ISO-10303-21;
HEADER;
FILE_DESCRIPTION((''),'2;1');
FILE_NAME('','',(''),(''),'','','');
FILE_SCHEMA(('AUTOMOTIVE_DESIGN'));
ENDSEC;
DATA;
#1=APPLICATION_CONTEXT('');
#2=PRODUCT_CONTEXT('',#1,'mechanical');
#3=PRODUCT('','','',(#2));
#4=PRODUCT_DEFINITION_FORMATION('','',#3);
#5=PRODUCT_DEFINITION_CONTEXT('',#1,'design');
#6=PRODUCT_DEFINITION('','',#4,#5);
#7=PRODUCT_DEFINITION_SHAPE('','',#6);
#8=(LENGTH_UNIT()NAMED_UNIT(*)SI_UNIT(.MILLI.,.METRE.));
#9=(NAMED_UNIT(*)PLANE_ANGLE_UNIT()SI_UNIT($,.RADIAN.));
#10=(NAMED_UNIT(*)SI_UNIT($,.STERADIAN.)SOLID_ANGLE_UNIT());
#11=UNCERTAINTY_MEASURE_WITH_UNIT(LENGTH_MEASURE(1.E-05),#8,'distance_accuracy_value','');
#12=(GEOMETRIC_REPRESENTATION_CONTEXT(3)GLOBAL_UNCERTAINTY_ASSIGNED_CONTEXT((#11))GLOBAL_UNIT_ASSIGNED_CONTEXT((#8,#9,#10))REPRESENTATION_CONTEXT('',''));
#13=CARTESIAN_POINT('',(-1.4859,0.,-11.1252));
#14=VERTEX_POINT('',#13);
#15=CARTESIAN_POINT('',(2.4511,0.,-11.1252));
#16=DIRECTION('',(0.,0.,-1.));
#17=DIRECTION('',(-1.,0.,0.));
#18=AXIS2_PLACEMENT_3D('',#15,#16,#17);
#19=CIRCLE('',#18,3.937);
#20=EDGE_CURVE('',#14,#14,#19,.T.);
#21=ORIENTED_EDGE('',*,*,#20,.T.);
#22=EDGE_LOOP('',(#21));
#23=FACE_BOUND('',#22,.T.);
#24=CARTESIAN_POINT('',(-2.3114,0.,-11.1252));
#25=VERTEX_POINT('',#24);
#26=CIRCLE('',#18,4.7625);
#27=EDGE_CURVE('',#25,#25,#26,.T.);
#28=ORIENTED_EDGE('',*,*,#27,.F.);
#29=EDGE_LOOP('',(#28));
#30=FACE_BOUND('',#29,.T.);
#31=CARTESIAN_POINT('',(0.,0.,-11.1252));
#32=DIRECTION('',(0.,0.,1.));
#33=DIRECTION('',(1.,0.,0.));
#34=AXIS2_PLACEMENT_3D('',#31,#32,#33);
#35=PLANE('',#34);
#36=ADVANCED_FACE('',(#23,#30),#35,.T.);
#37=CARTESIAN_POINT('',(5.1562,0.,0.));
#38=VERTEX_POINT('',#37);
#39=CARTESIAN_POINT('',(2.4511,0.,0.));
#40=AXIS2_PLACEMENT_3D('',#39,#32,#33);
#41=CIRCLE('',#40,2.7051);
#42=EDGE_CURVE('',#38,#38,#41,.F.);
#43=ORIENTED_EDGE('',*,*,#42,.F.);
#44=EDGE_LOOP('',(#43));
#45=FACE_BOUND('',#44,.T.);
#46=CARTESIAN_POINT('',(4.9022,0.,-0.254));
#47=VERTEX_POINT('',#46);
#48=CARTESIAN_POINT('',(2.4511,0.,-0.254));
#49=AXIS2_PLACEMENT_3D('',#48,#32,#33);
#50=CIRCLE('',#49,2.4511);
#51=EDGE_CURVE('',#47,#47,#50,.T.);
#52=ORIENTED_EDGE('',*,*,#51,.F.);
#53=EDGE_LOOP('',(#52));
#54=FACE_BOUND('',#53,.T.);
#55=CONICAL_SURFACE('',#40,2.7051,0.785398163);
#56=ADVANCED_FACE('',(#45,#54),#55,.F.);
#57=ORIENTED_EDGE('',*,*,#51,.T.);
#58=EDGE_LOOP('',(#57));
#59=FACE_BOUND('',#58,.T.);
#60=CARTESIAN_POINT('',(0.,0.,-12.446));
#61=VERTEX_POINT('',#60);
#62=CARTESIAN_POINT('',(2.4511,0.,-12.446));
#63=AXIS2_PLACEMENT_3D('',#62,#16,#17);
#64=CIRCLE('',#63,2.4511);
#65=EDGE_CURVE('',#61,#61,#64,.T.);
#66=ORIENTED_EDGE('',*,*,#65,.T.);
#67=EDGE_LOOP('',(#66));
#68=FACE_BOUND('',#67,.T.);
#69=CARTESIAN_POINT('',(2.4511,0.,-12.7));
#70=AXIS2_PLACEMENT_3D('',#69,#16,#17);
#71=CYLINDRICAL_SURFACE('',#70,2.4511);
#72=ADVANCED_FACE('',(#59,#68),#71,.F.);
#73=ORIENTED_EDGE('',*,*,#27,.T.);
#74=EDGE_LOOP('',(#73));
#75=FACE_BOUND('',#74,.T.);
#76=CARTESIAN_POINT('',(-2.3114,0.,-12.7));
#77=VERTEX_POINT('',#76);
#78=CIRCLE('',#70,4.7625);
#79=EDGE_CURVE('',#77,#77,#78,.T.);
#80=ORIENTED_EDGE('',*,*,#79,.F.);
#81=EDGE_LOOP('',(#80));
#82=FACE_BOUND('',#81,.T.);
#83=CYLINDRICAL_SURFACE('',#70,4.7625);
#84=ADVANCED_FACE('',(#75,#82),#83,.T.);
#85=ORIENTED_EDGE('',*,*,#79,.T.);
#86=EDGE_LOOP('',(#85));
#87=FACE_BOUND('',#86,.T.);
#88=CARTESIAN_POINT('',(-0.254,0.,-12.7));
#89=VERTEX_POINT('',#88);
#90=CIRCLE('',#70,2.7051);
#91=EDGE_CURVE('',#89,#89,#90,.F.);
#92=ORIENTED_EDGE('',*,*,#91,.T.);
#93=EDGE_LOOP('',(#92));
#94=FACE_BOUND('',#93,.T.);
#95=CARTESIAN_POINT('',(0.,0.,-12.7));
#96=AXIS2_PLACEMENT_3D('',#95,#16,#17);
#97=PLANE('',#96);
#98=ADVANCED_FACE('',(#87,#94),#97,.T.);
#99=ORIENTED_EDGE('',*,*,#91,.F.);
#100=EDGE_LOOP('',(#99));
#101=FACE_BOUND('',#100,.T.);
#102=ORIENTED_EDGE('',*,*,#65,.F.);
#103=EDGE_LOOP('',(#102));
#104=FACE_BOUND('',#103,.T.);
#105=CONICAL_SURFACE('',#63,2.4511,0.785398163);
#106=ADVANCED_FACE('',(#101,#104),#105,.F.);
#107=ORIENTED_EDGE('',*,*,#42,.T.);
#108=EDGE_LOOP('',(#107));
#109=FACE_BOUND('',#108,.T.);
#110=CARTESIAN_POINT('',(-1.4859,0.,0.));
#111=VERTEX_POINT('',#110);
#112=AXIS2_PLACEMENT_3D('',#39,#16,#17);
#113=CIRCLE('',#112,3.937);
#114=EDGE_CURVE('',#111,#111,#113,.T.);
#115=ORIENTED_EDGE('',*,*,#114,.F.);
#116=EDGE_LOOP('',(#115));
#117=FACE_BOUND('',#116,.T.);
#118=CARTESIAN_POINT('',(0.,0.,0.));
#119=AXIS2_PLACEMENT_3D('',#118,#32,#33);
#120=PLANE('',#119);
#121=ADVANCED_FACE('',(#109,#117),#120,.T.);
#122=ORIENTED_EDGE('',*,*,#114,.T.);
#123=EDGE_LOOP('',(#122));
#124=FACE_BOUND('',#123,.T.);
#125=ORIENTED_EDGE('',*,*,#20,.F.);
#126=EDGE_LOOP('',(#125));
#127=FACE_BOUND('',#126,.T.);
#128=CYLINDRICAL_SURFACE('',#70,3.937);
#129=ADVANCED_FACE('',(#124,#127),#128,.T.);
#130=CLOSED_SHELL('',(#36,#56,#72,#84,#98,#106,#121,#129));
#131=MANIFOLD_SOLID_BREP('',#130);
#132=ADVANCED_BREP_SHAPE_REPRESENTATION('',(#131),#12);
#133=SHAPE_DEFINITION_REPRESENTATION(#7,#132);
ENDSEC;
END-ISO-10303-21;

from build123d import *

# Parameters (mm, degrees)
CHAMFER1_SIZE = 0.254


with BuildPart() as part:
    # Sketch1 → Revolve1 (revolve)
    with BuildSketch(Plane(origin=(0, 0, 0), x_dir=(1, 0, 0), z_dir=(0, 1, 0))):
        Polygon((-1.4859, 11.1252), (-1.4859, 0), (0, 0), (0, 12.7), (-2.3114, 12.7), (-2.3114, 11.1252), align=None)
    revolve(axis=Axis((2.4511, 0, -12.7), (0, 0, 1)))

    # Chamfer1
    chamfer1_edges = [part.edges().sort_by_distance(p)[0] for p in [
        (4.9022, 0, -12.7),
        (4.9022, 0, 0),
    ]]
    chamfer(chamfer1_edges, length=CHAMFER1_SIZE)


solid = part.part
